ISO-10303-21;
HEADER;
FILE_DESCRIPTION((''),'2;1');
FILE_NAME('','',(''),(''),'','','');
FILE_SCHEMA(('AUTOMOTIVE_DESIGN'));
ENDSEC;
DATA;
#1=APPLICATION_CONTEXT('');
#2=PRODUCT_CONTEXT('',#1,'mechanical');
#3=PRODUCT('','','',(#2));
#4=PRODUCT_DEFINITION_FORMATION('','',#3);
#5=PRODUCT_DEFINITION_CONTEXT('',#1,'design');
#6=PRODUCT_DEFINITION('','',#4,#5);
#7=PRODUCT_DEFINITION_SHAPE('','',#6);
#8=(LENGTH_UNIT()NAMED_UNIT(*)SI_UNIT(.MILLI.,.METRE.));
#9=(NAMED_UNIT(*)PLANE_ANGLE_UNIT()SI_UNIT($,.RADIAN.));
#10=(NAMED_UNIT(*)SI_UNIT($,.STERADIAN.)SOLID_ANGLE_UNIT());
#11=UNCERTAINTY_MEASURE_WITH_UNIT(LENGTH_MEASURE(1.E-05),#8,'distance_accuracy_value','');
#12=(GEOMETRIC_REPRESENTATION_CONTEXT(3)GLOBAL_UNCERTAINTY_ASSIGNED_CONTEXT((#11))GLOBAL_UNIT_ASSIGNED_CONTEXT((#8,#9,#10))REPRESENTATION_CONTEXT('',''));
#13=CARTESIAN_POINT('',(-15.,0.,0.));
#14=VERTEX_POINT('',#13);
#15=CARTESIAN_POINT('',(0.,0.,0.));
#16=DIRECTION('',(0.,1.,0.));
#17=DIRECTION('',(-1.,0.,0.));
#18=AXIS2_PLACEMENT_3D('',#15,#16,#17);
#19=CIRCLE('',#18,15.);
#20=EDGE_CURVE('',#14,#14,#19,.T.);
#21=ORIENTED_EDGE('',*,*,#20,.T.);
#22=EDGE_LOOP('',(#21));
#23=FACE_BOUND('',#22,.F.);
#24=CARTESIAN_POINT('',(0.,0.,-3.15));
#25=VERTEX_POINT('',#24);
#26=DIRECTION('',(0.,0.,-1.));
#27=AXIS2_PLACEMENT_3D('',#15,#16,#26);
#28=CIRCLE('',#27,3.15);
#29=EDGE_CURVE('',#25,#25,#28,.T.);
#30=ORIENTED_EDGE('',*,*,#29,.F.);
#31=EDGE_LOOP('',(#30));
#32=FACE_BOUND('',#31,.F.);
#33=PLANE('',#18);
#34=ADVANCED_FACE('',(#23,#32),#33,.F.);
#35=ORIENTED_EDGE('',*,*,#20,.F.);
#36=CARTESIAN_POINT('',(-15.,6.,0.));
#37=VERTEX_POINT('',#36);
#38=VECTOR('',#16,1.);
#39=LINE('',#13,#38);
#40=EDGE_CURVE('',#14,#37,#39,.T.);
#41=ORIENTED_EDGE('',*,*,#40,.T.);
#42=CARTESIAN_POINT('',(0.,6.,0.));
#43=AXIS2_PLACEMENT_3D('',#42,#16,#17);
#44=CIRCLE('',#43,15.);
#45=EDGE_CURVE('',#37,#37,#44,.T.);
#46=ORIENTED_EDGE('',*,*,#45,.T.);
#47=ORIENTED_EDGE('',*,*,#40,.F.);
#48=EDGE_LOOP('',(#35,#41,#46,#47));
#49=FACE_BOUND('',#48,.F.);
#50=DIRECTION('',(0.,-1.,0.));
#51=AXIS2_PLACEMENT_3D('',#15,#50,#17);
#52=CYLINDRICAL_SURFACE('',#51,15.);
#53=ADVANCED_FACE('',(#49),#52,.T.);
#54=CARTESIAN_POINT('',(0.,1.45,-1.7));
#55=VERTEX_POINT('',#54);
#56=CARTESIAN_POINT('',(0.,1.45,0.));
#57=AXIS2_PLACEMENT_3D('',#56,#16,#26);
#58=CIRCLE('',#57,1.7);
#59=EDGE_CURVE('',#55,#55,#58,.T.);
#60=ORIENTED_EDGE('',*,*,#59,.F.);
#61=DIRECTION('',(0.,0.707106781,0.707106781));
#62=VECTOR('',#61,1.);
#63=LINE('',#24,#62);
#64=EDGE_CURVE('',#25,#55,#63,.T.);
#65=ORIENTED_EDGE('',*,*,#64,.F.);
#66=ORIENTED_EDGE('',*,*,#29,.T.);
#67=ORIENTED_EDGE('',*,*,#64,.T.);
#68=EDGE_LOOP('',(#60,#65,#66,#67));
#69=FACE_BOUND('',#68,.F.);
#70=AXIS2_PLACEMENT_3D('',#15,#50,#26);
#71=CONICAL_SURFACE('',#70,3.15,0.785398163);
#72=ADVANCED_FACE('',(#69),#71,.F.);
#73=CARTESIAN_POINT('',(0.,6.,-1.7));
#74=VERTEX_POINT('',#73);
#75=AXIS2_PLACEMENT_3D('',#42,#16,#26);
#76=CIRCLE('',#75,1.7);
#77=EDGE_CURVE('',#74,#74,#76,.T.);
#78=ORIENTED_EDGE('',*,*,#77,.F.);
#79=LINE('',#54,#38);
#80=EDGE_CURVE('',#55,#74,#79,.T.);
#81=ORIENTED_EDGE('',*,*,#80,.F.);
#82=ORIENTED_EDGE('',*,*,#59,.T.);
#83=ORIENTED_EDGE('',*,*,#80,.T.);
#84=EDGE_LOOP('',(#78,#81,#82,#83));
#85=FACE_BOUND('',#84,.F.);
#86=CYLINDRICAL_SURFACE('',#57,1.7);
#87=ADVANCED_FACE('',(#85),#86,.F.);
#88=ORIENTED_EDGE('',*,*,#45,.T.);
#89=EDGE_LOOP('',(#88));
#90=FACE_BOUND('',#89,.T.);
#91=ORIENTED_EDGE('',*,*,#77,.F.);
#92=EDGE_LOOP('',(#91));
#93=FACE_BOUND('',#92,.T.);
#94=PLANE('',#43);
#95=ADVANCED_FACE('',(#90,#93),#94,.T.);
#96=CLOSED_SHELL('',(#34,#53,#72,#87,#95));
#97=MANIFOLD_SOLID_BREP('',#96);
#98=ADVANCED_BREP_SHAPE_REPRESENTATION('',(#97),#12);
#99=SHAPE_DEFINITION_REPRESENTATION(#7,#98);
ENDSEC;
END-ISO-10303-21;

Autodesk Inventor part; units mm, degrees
ref_plane "YZ Plane" through (0, 0, 0) normal (1, 0, 0) x (0, 1, 0)
ref_plane "XZ Plane" through (0, 0, 0) normal (0, 1, 0) x (-1, 0, 0)
ref_plane "XY Plane" through (0, 0, 0) normal (0, 0, 1) x (1, 0, 0)
sketch "Boceto1" plane through (0, 0, 0) normal (0, 1, 0) x (-1, 0, 0)
  circle A0 centre (0, 0) radius 15
  dimension "d13" = 30
extrude "Extrusión1" add sketch "Boceto1" along normal blind 6
sketch "Boceto4" plane through (0, 0, 0) normal (0, -1, 0) x (1, 0, 0)
  point P0 (0, 0)
  point P1 (0, 0)
hole "Agujero2" at (0, 0, 0) direction (0, 1, 0) diameter 3.4 depth 6 tip angle 118 countersink diameter 6.3 countersink angle 90 clearance for "Tornillo para maquinaria de cabeza plana" size "M3" standard "Perfil M métrico ANSI"
properties part number "mordaza"
